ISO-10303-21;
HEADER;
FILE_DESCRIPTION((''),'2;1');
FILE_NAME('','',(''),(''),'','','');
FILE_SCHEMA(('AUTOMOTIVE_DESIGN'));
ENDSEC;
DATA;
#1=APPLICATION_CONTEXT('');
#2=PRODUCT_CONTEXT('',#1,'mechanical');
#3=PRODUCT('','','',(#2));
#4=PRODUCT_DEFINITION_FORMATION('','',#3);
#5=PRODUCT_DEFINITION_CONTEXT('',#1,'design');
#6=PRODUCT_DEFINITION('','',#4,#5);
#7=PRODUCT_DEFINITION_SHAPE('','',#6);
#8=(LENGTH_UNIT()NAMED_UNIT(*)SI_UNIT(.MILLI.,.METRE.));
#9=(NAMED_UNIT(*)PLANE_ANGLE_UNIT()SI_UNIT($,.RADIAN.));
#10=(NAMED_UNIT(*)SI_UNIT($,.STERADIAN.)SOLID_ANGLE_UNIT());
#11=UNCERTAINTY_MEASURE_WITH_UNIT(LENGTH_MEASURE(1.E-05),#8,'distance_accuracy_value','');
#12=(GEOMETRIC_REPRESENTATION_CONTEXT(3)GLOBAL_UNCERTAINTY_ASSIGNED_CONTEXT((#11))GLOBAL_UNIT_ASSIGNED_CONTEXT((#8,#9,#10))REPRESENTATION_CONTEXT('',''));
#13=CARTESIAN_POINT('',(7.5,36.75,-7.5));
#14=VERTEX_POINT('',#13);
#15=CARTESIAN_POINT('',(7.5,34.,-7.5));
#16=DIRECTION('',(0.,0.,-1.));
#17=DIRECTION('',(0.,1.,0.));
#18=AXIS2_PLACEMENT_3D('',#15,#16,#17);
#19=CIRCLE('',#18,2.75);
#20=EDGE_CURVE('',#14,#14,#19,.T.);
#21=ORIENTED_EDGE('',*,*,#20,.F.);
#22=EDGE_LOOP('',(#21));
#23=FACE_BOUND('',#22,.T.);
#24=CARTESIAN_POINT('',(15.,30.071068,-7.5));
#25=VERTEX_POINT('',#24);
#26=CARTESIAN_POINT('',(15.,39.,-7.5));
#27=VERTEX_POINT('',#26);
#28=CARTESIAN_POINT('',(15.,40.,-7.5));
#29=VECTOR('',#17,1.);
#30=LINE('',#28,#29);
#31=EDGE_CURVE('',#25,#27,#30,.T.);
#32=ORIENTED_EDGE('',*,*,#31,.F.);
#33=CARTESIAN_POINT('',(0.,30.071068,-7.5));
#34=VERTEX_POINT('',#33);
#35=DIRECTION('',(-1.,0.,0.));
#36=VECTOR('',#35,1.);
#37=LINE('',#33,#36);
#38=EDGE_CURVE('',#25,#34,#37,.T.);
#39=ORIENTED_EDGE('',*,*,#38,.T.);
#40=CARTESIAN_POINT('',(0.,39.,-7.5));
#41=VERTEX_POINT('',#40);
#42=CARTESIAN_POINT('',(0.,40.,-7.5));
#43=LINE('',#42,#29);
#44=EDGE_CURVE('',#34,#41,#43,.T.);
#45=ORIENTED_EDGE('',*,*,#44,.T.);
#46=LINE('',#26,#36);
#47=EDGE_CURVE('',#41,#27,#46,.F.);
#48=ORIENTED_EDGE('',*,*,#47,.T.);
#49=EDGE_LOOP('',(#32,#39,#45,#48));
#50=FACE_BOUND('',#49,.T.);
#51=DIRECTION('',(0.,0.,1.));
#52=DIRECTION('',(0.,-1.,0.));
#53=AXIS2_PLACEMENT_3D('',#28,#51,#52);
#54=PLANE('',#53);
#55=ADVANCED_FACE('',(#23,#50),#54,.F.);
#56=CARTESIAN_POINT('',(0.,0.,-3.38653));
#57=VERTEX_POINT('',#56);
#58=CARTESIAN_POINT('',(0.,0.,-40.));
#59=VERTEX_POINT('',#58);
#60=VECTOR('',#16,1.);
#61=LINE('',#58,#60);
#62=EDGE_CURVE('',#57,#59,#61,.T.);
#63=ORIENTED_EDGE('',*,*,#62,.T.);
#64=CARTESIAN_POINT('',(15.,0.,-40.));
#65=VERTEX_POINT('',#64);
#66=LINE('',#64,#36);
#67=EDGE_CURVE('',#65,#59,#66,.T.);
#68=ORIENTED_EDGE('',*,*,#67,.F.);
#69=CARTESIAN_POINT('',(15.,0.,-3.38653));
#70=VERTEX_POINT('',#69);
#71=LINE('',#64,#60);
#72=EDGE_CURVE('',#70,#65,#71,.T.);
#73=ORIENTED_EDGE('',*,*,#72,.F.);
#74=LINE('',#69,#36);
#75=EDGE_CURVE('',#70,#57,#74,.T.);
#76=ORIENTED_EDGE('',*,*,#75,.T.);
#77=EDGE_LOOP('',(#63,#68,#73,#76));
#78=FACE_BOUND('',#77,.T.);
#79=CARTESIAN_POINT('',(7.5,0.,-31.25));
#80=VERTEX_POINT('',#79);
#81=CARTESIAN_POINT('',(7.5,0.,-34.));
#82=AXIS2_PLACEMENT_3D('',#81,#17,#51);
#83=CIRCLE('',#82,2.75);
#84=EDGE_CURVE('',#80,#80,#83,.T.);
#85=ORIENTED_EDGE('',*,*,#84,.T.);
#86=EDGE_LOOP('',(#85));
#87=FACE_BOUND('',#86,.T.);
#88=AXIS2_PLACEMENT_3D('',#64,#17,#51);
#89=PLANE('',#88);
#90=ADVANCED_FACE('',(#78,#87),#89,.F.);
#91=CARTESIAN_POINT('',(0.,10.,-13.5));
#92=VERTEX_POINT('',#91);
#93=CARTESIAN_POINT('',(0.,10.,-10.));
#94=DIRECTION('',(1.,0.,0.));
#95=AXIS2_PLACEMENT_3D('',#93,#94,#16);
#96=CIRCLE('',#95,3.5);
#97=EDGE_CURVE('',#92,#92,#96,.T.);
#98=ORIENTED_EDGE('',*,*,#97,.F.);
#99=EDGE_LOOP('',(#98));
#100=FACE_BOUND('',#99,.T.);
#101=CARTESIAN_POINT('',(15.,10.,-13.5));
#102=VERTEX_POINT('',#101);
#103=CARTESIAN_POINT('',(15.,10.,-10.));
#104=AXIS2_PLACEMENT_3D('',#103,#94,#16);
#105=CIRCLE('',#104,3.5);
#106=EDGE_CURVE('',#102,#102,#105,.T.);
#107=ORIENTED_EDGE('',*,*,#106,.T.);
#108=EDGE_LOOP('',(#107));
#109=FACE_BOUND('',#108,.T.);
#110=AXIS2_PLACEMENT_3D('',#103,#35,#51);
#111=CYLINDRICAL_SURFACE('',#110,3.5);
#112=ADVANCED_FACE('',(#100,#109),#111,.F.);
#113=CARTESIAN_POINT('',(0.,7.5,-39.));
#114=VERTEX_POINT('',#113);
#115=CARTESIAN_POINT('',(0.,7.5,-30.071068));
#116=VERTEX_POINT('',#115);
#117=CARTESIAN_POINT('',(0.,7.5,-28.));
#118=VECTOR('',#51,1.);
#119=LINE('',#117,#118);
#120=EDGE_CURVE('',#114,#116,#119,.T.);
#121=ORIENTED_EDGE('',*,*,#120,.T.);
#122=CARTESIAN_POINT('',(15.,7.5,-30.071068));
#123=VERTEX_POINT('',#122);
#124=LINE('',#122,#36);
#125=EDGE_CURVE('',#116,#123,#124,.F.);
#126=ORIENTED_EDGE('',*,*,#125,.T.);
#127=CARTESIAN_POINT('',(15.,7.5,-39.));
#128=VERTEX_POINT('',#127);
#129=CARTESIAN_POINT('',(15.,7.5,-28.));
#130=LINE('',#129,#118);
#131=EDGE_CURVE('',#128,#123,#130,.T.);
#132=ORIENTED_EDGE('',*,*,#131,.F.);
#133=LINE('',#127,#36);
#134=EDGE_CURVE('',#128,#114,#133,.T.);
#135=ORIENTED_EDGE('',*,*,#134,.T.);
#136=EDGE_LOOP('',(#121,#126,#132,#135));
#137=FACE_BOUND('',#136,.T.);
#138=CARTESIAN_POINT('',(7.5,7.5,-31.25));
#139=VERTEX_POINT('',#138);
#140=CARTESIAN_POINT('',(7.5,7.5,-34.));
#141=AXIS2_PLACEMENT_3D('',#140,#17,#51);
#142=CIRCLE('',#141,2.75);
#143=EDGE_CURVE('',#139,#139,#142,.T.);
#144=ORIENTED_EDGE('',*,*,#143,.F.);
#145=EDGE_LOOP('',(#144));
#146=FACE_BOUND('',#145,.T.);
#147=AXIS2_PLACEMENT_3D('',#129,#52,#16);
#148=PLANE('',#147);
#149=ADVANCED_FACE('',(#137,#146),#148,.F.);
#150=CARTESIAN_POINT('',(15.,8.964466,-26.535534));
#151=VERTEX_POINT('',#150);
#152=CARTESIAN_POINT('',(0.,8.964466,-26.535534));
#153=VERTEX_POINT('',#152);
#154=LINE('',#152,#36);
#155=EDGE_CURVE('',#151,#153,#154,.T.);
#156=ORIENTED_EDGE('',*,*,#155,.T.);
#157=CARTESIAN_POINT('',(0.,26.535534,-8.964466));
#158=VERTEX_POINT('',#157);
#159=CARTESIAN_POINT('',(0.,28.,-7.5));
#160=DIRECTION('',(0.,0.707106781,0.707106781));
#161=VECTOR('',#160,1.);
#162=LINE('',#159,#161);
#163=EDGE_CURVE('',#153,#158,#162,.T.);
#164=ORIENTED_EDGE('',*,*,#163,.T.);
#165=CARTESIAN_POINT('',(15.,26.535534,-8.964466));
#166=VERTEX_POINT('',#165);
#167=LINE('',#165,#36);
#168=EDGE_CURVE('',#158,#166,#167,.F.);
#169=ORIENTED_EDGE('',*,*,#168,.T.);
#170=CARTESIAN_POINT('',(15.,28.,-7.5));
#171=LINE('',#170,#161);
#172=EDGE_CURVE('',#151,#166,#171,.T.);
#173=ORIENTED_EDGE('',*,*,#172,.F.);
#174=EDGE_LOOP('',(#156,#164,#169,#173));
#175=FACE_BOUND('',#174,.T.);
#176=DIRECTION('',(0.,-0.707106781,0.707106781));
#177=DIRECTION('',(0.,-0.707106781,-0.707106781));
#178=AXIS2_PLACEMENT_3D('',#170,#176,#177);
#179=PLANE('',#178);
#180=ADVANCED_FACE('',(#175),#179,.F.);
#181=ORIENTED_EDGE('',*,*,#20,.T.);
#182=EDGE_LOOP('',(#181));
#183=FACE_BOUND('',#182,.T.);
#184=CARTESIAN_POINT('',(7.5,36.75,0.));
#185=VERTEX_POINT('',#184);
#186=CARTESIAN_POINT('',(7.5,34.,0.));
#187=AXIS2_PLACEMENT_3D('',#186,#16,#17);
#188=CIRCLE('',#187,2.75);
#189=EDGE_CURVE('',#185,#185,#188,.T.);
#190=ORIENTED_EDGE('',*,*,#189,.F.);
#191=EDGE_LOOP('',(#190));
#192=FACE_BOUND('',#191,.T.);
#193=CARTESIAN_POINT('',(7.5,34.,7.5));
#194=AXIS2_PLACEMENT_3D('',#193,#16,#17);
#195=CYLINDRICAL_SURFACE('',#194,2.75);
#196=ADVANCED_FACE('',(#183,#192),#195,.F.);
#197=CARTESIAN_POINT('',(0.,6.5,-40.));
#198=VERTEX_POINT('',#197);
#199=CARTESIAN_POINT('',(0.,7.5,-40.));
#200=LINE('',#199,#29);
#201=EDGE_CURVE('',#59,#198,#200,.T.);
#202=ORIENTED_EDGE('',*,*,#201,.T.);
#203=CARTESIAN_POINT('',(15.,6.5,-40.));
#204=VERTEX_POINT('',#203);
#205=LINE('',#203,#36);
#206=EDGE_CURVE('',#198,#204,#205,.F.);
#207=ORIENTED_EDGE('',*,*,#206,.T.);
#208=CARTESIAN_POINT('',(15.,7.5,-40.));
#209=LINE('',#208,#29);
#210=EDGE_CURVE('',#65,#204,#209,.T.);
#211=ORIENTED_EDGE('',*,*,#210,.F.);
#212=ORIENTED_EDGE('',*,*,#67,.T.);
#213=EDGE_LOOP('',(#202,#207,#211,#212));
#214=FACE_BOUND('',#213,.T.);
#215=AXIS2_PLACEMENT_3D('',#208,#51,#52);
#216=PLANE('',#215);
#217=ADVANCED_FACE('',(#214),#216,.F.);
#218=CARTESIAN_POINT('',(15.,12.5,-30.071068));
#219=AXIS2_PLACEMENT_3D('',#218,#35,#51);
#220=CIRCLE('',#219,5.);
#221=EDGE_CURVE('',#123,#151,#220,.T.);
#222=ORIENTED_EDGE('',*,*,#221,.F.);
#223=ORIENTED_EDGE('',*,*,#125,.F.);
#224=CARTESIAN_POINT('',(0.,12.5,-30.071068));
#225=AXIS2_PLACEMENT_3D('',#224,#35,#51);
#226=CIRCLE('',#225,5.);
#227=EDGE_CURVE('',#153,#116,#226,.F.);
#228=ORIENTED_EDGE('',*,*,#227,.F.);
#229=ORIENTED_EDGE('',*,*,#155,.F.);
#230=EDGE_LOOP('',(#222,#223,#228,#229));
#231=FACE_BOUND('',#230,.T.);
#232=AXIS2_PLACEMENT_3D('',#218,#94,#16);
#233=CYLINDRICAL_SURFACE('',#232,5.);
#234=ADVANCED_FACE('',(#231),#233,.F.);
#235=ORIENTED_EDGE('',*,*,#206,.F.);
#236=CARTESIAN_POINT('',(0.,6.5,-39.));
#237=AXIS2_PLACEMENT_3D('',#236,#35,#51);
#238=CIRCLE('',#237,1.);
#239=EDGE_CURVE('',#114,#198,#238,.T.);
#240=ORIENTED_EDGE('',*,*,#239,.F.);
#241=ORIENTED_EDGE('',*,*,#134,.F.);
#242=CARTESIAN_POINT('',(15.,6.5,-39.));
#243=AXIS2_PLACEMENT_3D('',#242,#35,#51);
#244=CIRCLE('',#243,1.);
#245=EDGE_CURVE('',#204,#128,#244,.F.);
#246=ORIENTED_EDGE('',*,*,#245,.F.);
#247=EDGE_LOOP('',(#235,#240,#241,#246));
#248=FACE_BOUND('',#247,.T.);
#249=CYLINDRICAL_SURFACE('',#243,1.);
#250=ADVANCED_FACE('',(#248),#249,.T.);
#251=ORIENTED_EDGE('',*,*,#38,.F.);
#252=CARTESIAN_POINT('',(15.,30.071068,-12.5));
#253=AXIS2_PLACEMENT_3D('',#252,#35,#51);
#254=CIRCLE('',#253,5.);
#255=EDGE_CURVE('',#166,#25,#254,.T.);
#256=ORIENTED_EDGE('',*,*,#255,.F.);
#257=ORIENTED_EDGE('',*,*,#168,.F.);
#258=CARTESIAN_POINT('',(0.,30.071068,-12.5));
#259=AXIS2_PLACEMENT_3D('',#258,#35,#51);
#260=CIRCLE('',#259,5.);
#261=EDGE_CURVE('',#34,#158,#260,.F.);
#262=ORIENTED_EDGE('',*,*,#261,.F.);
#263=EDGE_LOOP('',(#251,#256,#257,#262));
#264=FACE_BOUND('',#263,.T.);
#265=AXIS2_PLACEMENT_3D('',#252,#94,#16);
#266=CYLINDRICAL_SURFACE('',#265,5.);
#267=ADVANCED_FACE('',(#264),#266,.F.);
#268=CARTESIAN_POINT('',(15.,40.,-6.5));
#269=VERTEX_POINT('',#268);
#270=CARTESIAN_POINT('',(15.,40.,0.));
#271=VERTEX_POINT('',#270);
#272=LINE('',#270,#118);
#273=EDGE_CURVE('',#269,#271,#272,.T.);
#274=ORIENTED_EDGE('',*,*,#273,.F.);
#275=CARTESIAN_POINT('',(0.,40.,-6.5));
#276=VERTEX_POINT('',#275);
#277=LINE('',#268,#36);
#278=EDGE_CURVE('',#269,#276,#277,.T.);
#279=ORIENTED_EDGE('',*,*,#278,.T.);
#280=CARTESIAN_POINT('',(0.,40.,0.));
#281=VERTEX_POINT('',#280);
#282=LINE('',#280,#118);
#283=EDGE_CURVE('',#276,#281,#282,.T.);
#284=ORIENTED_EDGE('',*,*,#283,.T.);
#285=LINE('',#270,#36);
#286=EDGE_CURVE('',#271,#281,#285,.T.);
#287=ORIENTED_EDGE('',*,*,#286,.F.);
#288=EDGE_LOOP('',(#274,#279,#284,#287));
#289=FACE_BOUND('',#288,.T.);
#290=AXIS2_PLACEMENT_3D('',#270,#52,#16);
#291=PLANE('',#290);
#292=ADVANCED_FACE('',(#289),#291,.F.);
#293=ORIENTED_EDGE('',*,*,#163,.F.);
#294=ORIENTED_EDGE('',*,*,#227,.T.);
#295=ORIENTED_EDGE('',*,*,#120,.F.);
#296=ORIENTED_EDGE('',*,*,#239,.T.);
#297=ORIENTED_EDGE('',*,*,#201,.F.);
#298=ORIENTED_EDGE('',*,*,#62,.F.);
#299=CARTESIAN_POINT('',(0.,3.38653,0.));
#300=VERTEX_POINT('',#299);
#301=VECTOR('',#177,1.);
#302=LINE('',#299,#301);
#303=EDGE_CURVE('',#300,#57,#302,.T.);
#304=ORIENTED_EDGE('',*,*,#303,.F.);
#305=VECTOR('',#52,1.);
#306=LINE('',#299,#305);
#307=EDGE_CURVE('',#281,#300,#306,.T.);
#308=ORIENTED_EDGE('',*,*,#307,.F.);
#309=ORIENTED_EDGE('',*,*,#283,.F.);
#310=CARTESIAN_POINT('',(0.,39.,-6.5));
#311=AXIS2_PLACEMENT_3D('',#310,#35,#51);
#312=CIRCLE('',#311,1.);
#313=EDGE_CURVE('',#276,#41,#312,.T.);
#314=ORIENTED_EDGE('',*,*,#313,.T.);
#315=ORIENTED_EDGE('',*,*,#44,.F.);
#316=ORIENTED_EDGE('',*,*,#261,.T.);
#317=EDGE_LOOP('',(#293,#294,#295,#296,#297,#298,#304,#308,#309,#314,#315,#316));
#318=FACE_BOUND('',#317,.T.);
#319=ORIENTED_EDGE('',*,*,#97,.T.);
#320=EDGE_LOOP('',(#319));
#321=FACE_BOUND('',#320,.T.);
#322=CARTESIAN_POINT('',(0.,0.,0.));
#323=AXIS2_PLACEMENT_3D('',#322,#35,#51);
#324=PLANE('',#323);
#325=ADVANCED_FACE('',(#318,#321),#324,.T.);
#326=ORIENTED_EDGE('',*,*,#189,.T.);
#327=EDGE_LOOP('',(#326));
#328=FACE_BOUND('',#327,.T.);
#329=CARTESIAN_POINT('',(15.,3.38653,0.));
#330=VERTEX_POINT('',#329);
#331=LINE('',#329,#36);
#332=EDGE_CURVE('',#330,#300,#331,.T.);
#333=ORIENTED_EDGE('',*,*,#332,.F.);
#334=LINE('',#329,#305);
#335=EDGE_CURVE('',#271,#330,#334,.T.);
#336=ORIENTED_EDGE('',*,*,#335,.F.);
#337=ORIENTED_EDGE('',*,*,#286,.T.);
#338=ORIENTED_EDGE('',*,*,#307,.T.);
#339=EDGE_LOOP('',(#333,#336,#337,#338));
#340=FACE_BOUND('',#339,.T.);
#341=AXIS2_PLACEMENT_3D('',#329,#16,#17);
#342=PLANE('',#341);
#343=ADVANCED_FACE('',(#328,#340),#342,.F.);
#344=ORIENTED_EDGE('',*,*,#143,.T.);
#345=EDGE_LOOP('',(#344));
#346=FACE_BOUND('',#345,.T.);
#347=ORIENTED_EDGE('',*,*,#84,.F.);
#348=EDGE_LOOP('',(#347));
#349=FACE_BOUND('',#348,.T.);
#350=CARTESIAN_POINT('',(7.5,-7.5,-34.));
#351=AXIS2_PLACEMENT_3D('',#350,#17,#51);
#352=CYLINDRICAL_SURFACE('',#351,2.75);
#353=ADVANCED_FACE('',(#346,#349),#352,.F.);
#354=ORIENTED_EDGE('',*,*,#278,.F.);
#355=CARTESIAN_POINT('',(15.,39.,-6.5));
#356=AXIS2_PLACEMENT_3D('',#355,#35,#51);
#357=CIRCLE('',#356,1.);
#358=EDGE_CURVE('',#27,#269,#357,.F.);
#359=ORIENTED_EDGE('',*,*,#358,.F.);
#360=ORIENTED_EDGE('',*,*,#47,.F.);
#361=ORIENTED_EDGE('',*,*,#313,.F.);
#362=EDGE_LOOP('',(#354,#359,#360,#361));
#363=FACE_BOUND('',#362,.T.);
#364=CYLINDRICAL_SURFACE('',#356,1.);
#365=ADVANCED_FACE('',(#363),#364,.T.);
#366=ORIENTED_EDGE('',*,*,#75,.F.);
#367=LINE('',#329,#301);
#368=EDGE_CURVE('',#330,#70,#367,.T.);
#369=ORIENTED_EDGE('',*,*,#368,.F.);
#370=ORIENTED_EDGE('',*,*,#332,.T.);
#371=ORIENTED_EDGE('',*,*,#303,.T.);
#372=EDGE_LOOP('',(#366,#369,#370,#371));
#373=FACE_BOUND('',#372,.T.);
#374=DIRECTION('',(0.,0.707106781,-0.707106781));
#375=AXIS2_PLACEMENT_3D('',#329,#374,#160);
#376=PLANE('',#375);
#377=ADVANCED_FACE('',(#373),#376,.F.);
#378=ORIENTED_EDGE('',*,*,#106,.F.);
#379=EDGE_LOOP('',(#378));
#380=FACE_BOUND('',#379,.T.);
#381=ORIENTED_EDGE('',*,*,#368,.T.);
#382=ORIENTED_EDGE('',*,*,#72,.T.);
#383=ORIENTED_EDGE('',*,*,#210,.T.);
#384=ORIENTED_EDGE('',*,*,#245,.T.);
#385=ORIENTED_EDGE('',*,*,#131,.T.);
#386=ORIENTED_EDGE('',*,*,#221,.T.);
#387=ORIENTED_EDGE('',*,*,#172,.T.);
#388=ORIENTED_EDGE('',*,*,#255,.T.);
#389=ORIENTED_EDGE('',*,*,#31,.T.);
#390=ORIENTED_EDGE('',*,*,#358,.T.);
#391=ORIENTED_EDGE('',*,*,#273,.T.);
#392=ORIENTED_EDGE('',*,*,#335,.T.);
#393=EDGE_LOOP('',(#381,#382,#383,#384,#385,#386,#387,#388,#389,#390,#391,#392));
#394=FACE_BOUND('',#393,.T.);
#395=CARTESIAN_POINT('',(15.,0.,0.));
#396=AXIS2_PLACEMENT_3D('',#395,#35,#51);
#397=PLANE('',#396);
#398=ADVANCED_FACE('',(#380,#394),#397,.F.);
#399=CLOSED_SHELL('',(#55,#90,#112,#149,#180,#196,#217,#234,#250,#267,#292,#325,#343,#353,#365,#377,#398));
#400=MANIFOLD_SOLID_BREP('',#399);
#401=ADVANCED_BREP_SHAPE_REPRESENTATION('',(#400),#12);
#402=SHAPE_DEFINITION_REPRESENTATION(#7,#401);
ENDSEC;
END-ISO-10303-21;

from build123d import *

# Parameters (mm, degrees)
SKETCH2_R           = 3.5
BOSS_EXTRUDE1_DEPTH = 15
SKETCH3_R           = 2.75
CUT_EXTRUDE1_DEPTH  = 15
SKETCH4_R           = 2.75
CUT_EXTRUDE2_DEPTH  = 15
FILLET1_R           = 5
FILLET2_R           = 1


with BuildPart() as part:
    # Sketch2 → Boss-Extrude1 (new body)
    with BuildSketch(Plane(origin=(0, 0, 0), x_dir=(0, 0, -1), z_dir=(1, 0, 0))):
        Polygon((0, 3.386529676), (0, 40), (7.5, 40), (7.5, 28), (28, 7.5), (40, 7.5), (40, 0), (3.386529676, 0), align=None)
        with Locations((10, 10)):
            Circle(SKETCH2_R, mode=Mode.SUBTRACT)
    extrude(amount=BOSS_EXTRUDE1_DEPTH)

    # Sketch3 → Cut-Extrude1 (cut)
    with BuildSketch(Plane(origin=(0, 7.5, 0), x_dir=(1, 0, 0), z_dir=(0, 1, 0))):
        with Locations(Location((7.5, 34, 0), (0, 0, 270))):
            Circle(SKETCH3_R)
    extrude(amount=-CUT_EXTRUDE1_DEPTH, mode=Mode.SUBTRACT)

    # Sketch4 → Cut-Extrude2 (cut)
    with BuildSketch(Plane(origin=(0, 0, -7.5), x_dir=(-1, 0, 0), z_dir=(0, 0, -1))):
        with Locations(Location((-7.5, 34, 0), (0, 0, 90))):
            Circle(SKETCH4_R)
    extrude(amount=-CUT_EXTRUDE2_DEPTH, mode=Mode.SUBTRACT)

    # Fillet1
    fillet1_edges = [part.edges().sort_by_distance(p)[0] for p in [
        (7.5, 28, -7.5),
        (7.5, 7.5, -28),
    ]]
    fillet(fillet1_edges, radius=FILLET1_R)

    # Fillet2
    fillet2_edges = [part.edges().sort_by_distance(p)[0] for p in [
        (7.5, 40, -7.5),
        (7.5, 7.5, -40),
    ]]
    fillet(fillet2_edges, radius=FILLET2_R)


solid = part.part
